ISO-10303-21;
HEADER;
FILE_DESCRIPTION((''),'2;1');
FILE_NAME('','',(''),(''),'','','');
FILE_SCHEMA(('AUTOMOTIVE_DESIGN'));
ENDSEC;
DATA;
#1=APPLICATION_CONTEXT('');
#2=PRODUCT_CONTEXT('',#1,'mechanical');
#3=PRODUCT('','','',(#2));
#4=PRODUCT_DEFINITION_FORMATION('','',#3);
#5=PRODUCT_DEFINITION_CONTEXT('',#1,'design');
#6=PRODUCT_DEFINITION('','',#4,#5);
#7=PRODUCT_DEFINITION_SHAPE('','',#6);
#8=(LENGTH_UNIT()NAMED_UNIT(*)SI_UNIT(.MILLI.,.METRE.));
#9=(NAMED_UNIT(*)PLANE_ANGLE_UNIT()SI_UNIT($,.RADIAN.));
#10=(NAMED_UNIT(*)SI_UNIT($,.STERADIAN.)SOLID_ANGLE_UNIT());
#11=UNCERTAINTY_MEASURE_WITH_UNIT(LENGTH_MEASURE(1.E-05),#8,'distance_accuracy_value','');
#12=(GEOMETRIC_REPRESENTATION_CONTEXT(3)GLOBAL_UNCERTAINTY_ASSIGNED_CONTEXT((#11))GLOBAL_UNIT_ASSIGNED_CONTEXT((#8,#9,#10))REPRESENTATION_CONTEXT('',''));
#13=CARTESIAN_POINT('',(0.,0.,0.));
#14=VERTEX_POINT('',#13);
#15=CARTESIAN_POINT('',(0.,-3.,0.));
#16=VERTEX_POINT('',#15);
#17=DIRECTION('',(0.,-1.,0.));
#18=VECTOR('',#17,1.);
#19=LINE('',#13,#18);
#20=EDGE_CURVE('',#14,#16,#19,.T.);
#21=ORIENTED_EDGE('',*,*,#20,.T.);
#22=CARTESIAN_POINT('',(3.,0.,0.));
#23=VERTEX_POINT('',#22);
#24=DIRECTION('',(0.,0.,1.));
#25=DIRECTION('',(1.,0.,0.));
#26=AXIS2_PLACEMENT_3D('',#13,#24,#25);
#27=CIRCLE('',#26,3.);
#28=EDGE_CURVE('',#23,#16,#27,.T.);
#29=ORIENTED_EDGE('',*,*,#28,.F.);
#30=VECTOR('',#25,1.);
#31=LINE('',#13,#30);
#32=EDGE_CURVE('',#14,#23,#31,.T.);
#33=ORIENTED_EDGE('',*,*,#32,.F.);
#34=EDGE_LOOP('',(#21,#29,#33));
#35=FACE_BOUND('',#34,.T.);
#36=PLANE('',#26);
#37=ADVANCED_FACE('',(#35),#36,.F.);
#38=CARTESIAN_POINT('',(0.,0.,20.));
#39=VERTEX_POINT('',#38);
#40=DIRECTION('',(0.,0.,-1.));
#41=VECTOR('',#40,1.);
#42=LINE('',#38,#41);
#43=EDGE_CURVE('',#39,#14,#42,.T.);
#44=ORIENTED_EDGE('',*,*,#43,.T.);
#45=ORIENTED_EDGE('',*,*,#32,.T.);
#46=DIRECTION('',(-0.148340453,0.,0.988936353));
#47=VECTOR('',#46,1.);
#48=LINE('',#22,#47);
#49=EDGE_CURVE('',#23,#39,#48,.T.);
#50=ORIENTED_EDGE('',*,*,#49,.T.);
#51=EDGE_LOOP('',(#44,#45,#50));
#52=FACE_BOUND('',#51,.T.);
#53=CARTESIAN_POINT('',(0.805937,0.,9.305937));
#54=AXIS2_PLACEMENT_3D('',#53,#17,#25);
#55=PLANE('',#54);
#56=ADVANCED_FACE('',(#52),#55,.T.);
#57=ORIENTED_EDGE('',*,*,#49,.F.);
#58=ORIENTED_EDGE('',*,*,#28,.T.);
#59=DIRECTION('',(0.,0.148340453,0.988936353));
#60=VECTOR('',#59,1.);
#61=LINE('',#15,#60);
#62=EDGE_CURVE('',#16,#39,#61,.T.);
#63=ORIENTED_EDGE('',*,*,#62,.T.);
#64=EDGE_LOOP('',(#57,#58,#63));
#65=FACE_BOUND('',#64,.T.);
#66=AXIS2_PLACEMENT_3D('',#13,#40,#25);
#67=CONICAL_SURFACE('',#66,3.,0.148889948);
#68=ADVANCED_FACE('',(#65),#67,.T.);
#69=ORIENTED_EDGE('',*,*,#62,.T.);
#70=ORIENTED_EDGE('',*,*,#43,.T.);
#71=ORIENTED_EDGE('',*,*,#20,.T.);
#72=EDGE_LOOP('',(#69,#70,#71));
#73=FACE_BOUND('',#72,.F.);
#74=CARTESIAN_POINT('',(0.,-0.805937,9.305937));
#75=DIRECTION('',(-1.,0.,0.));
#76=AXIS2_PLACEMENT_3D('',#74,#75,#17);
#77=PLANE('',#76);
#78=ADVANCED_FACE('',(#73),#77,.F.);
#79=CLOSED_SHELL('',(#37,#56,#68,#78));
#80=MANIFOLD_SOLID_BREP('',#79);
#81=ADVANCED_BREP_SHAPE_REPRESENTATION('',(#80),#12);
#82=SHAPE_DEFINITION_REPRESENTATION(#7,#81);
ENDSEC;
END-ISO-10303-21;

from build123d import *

# Parameters (mm, degrees)
CONE_ANGLE = 270


with BuildPart() as part:
    # Cone → Cone (revolve)
    with BuildSketch(Plane.XZ):
        Polygon((0, 0), (3, 0), (0, 20), align=None)
    revolve(axis=Axis((0, 0, 0), (0, 0, 1)), revolution_arc=CONE_ANGLE)


solid = part.part
